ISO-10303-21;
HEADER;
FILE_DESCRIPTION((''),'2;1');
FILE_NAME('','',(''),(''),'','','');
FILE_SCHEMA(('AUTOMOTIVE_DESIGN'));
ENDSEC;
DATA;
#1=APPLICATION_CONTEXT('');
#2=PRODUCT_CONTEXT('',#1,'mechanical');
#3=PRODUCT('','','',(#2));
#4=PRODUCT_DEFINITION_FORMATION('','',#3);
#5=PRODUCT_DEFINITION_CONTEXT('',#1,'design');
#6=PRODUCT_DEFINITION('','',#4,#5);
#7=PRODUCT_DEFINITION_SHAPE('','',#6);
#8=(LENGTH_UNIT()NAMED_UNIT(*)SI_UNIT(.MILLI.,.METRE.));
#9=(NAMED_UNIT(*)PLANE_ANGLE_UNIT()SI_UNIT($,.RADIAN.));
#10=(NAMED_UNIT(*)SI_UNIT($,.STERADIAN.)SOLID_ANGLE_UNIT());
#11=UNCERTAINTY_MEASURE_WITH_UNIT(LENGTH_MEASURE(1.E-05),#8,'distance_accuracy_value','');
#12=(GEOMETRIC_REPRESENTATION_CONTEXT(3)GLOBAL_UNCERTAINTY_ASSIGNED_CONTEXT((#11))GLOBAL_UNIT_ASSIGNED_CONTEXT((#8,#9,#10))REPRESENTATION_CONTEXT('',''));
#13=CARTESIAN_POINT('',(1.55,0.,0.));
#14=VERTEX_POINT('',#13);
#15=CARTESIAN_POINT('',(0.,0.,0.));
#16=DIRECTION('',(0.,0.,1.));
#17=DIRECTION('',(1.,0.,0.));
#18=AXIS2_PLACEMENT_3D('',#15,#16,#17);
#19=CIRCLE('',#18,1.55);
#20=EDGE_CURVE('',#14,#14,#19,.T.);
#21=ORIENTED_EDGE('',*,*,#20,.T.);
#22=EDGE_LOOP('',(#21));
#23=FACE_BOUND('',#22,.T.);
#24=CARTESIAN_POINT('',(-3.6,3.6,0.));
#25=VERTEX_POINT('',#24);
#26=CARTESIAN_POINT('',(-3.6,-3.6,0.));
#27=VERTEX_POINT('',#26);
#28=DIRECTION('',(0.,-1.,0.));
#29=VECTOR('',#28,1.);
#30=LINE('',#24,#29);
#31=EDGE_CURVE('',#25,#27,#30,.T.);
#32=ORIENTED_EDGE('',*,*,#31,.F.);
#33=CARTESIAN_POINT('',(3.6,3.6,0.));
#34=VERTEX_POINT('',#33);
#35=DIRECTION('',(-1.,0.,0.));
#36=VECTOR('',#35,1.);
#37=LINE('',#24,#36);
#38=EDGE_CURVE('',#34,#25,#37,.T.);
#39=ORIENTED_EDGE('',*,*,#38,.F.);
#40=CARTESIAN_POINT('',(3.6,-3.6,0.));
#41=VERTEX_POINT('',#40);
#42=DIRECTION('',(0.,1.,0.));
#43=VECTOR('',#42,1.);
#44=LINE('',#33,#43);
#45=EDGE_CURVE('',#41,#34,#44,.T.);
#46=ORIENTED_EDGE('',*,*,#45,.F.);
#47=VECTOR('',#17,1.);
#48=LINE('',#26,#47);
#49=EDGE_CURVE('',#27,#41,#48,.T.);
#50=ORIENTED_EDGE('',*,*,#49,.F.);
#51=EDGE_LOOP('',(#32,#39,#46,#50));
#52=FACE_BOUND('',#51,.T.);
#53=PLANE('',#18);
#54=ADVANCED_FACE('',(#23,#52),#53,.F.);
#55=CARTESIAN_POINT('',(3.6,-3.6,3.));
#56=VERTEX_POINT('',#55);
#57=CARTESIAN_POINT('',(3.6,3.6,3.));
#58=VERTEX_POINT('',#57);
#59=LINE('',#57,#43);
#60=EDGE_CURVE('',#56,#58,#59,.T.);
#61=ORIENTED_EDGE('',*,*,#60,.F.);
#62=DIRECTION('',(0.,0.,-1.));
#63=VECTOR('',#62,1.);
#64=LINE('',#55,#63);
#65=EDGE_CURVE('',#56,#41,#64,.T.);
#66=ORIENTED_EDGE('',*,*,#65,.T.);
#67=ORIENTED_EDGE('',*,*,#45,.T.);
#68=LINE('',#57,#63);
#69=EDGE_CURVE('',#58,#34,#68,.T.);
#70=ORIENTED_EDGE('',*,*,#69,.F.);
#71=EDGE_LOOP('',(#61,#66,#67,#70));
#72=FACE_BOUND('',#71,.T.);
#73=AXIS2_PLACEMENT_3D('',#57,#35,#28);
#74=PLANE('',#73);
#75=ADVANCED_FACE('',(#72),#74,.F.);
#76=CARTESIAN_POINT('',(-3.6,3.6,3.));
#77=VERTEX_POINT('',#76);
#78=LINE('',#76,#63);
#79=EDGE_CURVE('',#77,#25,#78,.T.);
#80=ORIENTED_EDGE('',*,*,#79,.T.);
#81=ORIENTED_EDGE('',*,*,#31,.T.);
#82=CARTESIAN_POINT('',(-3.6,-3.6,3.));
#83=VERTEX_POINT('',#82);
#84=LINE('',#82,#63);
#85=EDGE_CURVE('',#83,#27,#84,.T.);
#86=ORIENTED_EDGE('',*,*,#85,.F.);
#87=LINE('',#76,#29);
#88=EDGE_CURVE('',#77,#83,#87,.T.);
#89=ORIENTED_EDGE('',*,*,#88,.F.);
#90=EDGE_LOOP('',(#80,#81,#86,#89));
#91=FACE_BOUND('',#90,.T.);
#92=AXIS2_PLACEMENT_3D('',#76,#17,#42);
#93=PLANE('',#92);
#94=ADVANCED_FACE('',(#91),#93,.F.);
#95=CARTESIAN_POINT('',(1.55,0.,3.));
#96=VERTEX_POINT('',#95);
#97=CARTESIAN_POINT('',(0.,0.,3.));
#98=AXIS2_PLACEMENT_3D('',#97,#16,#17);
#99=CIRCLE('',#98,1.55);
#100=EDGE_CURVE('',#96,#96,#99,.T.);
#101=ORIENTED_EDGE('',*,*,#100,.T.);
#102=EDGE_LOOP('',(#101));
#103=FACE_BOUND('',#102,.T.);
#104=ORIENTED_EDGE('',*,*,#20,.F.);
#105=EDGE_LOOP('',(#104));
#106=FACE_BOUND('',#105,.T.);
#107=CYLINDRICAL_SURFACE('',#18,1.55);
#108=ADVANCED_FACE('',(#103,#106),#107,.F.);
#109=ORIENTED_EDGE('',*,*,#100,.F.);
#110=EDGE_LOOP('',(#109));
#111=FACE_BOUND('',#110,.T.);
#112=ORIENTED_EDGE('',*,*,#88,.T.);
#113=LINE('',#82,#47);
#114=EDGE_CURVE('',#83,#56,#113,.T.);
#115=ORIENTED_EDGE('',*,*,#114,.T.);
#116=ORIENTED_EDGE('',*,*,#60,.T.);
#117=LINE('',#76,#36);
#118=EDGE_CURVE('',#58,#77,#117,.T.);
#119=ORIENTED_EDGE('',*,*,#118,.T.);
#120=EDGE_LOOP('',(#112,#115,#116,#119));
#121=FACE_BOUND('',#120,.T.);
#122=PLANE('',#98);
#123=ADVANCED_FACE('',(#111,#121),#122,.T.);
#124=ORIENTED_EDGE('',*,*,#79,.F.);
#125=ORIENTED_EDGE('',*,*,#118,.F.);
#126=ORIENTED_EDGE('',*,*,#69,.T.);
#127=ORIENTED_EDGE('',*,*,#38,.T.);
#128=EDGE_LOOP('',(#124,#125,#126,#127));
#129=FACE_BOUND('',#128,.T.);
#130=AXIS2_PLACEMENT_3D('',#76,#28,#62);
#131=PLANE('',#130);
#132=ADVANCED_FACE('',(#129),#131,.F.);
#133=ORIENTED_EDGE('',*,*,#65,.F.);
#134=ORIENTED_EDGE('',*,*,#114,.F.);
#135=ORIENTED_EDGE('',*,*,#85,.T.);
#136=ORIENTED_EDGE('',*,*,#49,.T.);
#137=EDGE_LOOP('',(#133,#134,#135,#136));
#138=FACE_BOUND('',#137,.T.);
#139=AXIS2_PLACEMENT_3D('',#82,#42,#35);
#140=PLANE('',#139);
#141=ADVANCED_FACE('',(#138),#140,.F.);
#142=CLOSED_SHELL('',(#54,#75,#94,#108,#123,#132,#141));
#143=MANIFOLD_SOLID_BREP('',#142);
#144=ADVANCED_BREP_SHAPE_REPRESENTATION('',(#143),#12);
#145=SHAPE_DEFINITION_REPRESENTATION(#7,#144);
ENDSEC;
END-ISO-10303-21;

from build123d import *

# Parameters (mm, degrees)
SKETCH1_W           = 7.2
SKETCH1_H           = 7.2
BOSS_EXTRUDE1_DEPTH = 3
SKETCH2_R           = 1.55
CUT_EXTRUDE1_DEPTH  = 3


with BuildPart() as part:
    # Sketch1 → Boss-Extrude1 (new body)
    with BuildSketch(Plane.XY):
        Rectangle(SKETCH1_W, SKETCH1_H)
    extrude(amount=BOSS_EXTRUDE1_DEPTH)

    # Sketch2 → Cut-Extrude1 (cut)
    with BuildSketch(Plane.XY.offset(3)):
        Circle(SKETCH2_R)
    extrude(amount=-CUT_EXTRUDE1_DEPTH, mode=Mode.SUBTRACT)


solid = part.part
